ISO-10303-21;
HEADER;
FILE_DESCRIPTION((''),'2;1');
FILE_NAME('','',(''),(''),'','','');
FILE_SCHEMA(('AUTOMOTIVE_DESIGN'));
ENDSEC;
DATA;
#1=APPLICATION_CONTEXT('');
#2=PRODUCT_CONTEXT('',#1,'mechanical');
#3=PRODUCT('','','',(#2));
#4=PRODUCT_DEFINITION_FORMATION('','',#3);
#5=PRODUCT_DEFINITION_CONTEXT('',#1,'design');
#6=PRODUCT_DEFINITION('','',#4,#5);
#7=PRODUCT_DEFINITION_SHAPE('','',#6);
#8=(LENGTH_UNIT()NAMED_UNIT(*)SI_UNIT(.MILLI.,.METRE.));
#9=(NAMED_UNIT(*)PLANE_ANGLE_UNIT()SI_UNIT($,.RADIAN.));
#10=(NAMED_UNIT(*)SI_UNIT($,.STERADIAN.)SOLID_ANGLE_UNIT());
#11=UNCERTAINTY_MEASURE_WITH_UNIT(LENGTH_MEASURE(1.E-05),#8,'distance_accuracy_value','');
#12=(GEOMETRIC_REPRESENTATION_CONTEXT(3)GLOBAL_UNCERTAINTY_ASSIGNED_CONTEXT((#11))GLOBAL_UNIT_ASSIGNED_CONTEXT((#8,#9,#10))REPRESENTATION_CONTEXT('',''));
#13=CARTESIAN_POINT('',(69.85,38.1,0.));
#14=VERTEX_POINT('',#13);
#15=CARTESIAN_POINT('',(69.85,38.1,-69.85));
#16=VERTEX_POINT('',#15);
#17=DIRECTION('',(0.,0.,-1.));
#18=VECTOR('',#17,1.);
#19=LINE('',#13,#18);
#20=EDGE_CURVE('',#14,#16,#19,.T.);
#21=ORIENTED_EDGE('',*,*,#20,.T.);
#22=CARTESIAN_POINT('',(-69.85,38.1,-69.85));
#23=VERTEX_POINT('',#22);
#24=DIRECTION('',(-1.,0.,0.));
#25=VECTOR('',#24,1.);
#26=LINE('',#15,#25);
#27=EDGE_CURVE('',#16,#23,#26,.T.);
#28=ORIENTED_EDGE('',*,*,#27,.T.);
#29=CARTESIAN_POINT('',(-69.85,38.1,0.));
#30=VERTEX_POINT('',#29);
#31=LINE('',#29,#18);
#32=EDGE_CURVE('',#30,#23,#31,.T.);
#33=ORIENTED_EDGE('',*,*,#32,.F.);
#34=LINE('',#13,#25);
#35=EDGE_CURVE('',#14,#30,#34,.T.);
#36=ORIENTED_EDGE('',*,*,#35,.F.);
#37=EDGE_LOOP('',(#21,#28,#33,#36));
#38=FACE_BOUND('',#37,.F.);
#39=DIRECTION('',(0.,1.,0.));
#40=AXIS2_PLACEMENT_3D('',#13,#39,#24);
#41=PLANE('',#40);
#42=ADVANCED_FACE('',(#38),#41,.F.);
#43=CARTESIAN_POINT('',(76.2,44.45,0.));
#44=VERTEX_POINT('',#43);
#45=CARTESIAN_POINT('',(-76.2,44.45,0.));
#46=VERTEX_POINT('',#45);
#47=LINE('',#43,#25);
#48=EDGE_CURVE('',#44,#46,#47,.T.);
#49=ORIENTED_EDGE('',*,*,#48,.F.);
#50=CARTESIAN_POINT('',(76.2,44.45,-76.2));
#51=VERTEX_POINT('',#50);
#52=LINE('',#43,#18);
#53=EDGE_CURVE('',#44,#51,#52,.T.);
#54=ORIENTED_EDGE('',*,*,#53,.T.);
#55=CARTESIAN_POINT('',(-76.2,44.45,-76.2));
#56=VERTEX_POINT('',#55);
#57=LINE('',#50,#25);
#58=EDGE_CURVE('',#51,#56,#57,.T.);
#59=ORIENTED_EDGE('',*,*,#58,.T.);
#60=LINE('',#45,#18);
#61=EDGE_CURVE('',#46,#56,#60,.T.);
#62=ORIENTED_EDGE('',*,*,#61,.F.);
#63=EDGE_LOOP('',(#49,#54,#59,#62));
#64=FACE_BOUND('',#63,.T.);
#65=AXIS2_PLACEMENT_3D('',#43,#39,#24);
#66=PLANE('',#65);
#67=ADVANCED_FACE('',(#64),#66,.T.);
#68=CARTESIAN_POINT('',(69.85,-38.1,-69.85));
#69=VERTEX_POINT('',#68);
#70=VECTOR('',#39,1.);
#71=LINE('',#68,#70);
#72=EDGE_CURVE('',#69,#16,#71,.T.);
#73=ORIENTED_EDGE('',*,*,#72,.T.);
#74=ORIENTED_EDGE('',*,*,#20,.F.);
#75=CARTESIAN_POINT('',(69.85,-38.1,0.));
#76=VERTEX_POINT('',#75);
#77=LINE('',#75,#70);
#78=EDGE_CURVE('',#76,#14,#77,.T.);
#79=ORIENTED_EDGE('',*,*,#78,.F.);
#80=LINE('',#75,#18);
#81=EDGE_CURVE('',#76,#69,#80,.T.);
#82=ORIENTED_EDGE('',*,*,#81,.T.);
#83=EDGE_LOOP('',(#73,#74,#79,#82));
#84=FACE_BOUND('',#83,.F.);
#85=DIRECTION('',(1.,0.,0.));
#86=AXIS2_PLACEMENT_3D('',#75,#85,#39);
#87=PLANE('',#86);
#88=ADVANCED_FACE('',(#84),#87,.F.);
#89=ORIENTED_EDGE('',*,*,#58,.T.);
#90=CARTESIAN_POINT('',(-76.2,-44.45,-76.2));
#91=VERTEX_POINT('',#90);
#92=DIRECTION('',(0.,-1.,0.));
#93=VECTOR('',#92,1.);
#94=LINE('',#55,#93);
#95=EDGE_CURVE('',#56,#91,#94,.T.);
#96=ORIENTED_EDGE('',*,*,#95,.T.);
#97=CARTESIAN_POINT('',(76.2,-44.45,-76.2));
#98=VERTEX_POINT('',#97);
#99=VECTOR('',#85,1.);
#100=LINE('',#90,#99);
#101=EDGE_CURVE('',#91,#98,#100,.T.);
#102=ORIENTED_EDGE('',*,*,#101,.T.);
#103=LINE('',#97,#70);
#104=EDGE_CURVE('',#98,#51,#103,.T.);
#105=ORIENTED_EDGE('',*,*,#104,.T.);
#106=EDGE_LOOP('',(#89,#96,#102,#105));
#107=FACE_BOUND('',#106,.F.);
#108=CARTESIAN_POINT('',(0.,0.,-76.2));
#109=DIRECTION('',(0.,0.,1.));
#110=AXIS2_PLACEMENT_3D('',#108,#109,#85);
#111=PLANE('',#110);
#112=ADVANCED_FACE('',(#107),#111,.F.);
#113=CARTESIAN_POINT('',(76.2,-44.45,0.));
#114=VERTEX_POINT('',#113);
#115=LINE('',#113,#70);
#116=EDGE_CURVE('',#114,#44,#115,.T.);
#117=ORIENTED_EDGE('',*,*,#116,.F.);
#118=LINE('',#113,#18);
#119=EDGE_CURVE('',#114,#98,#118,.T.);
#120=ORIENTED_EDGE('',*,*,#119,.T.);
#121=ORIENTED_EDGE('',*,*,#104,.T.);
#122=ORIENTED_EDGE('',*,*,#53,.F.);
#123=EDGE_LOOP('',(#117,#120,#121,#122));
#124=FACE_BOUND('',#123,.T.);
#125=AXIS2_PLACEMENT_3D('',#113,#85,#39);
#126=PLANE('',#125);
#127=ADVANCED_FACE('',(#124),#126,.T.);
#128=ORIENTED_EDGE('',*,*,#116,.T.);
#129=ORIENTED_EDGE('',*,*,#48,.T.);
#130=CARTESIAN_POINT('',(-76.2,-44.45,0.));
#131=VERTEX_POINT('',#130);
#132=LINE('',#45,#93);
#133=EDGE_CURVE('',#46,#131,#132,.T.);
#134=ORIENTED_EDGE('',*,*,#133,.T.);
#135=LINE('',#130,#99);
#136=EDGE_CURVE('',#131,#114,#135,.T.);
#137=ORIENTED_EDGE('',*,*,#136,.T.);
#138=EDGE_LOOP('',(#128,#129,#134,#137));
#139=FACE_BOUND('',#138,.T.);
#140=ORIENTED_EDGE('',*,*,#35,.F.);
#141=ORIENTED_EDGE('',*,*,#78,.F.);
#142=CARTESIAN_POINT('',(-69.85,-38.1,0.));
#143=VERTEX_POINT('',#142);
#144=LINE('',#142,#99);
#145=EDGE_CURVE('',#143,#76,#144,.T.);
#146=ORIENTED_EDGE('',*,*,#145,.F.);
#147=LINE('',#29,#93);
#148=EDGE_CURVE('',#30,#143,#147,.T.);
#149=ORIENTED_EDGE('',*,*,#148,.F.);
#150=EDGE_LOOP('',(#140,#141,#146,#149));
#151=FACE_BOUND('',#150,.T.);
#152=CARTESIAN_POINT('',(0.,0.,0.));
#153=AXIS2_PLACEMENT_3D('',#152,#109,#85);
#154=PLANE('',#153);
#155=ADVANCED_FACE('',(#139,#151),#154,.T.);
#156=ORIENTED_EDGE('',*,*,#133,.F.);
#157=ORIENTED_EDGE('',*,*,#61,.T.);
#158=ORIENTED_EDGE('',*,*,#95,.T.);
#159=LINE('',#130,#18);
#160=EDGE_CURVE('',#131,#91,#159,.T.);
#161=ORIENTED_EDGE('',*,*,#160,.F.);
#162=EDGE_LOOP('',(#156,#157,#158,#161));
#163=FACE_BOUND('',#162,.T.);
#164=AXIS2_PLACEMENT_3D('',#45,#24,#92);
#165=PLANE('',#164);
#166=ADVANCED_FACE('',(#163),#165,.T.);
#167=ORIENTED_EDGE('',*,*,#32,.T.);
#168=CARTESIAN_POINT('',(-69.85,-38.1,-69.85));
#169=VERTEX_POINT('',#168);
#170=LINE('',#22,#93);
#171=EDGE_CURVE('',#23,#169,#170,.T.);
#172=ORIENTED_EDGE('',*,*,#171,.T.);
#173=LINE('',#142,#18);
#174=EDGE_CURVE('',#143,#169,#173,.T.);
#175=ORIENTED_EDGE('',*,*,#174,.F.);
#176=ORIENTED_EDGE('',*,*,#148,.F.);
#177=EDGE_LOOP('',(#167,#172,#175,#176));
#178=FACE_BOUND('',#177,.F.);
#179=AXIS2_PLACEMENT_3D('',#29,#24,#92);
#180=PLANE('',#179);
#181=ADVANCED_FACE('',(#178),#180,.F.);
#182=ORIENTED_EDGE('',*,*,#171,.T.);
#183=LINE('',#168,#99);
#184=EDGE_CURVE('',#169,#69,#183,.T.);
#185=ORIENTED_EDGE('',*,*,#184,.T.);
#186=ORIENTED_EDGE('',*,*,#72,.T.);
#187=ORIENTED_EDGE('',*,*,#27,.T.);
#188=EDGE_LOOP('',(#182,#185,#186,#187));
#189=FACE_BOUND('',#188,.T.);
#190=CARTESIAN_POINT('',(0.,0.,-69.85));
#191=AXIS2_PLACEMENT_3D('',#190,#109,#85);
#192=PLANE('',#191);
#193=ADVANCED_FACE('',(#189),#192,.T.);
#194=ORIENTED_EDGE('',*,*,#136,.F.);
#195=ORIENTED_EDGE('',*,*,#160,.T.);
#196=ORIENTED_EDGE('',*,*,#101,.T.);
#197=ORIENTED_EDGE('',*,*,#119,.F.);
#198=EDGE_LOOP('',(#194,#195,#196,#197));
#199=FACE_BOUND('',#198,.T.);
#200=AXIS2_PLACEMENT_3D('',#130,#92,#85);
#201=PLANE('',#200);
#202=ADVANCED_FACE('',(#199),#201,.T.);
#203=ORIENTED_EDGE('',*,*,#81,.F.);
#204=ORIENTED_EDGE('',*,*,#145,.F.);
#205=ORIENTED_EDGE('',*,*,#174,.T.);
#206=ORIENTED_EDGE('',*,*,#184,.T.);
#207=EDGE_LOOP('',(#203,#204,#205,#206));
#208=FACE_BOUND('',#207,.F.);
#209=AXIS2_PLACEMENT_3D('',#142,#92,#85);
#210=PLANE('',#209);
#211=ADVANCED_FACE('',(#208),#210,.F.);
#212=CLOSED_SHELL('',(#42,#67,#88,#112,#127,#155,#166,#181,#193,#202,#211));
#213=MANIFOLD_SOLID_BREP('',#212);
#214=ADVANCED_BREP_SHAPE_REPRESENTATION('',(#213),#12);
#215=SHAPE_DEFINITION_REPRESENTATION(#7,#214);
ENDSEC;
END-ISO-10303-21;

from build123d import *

# Parameters (mm, degrees)
F1_DEPTH = 76.2
F2_DEPTH = 69.85


with BuildPart() as f1:
    # F0 (on Top) → F1 (new body)
    with BuildSketch(Plane.XY):
        Polygon((-69.85, -38.1), (0, -38.1), (69.85, -38.1), (69.85, 38.1), (0, 38.1), (-69.85, 38.1), align=None)
        Polygon((-76.2, -44.45), (0, -44.45), (0, -38.1), (-69.85, -38.1), (-69.85, 38.1), (0, 38.1), (0, 44.45), (-76.2, 44.45), align=None)
        Polygon((0, -44.45), (76.2, -44.45), (76.2, 44.45), (0, 44.45), (0, 38.1), (69.85, 38.1), (69.85, -38.1), (0, -38.1), align=None)
    extrude(amount=-F1_DEPTH)

    # F0 (on Top) → F2 (cut)
    with BuildSketch(Plane.XY):
        Polygon((-69.85, -38.1), (0, -38.1), (69.85, -38.1), (69.85, 38.1), (0, 38.1), (-69.85, 38.1), align=None)
    extrude(amount=-F2_DEPTH, mode=Mode.SUBTRACT)


solid = f1.part
